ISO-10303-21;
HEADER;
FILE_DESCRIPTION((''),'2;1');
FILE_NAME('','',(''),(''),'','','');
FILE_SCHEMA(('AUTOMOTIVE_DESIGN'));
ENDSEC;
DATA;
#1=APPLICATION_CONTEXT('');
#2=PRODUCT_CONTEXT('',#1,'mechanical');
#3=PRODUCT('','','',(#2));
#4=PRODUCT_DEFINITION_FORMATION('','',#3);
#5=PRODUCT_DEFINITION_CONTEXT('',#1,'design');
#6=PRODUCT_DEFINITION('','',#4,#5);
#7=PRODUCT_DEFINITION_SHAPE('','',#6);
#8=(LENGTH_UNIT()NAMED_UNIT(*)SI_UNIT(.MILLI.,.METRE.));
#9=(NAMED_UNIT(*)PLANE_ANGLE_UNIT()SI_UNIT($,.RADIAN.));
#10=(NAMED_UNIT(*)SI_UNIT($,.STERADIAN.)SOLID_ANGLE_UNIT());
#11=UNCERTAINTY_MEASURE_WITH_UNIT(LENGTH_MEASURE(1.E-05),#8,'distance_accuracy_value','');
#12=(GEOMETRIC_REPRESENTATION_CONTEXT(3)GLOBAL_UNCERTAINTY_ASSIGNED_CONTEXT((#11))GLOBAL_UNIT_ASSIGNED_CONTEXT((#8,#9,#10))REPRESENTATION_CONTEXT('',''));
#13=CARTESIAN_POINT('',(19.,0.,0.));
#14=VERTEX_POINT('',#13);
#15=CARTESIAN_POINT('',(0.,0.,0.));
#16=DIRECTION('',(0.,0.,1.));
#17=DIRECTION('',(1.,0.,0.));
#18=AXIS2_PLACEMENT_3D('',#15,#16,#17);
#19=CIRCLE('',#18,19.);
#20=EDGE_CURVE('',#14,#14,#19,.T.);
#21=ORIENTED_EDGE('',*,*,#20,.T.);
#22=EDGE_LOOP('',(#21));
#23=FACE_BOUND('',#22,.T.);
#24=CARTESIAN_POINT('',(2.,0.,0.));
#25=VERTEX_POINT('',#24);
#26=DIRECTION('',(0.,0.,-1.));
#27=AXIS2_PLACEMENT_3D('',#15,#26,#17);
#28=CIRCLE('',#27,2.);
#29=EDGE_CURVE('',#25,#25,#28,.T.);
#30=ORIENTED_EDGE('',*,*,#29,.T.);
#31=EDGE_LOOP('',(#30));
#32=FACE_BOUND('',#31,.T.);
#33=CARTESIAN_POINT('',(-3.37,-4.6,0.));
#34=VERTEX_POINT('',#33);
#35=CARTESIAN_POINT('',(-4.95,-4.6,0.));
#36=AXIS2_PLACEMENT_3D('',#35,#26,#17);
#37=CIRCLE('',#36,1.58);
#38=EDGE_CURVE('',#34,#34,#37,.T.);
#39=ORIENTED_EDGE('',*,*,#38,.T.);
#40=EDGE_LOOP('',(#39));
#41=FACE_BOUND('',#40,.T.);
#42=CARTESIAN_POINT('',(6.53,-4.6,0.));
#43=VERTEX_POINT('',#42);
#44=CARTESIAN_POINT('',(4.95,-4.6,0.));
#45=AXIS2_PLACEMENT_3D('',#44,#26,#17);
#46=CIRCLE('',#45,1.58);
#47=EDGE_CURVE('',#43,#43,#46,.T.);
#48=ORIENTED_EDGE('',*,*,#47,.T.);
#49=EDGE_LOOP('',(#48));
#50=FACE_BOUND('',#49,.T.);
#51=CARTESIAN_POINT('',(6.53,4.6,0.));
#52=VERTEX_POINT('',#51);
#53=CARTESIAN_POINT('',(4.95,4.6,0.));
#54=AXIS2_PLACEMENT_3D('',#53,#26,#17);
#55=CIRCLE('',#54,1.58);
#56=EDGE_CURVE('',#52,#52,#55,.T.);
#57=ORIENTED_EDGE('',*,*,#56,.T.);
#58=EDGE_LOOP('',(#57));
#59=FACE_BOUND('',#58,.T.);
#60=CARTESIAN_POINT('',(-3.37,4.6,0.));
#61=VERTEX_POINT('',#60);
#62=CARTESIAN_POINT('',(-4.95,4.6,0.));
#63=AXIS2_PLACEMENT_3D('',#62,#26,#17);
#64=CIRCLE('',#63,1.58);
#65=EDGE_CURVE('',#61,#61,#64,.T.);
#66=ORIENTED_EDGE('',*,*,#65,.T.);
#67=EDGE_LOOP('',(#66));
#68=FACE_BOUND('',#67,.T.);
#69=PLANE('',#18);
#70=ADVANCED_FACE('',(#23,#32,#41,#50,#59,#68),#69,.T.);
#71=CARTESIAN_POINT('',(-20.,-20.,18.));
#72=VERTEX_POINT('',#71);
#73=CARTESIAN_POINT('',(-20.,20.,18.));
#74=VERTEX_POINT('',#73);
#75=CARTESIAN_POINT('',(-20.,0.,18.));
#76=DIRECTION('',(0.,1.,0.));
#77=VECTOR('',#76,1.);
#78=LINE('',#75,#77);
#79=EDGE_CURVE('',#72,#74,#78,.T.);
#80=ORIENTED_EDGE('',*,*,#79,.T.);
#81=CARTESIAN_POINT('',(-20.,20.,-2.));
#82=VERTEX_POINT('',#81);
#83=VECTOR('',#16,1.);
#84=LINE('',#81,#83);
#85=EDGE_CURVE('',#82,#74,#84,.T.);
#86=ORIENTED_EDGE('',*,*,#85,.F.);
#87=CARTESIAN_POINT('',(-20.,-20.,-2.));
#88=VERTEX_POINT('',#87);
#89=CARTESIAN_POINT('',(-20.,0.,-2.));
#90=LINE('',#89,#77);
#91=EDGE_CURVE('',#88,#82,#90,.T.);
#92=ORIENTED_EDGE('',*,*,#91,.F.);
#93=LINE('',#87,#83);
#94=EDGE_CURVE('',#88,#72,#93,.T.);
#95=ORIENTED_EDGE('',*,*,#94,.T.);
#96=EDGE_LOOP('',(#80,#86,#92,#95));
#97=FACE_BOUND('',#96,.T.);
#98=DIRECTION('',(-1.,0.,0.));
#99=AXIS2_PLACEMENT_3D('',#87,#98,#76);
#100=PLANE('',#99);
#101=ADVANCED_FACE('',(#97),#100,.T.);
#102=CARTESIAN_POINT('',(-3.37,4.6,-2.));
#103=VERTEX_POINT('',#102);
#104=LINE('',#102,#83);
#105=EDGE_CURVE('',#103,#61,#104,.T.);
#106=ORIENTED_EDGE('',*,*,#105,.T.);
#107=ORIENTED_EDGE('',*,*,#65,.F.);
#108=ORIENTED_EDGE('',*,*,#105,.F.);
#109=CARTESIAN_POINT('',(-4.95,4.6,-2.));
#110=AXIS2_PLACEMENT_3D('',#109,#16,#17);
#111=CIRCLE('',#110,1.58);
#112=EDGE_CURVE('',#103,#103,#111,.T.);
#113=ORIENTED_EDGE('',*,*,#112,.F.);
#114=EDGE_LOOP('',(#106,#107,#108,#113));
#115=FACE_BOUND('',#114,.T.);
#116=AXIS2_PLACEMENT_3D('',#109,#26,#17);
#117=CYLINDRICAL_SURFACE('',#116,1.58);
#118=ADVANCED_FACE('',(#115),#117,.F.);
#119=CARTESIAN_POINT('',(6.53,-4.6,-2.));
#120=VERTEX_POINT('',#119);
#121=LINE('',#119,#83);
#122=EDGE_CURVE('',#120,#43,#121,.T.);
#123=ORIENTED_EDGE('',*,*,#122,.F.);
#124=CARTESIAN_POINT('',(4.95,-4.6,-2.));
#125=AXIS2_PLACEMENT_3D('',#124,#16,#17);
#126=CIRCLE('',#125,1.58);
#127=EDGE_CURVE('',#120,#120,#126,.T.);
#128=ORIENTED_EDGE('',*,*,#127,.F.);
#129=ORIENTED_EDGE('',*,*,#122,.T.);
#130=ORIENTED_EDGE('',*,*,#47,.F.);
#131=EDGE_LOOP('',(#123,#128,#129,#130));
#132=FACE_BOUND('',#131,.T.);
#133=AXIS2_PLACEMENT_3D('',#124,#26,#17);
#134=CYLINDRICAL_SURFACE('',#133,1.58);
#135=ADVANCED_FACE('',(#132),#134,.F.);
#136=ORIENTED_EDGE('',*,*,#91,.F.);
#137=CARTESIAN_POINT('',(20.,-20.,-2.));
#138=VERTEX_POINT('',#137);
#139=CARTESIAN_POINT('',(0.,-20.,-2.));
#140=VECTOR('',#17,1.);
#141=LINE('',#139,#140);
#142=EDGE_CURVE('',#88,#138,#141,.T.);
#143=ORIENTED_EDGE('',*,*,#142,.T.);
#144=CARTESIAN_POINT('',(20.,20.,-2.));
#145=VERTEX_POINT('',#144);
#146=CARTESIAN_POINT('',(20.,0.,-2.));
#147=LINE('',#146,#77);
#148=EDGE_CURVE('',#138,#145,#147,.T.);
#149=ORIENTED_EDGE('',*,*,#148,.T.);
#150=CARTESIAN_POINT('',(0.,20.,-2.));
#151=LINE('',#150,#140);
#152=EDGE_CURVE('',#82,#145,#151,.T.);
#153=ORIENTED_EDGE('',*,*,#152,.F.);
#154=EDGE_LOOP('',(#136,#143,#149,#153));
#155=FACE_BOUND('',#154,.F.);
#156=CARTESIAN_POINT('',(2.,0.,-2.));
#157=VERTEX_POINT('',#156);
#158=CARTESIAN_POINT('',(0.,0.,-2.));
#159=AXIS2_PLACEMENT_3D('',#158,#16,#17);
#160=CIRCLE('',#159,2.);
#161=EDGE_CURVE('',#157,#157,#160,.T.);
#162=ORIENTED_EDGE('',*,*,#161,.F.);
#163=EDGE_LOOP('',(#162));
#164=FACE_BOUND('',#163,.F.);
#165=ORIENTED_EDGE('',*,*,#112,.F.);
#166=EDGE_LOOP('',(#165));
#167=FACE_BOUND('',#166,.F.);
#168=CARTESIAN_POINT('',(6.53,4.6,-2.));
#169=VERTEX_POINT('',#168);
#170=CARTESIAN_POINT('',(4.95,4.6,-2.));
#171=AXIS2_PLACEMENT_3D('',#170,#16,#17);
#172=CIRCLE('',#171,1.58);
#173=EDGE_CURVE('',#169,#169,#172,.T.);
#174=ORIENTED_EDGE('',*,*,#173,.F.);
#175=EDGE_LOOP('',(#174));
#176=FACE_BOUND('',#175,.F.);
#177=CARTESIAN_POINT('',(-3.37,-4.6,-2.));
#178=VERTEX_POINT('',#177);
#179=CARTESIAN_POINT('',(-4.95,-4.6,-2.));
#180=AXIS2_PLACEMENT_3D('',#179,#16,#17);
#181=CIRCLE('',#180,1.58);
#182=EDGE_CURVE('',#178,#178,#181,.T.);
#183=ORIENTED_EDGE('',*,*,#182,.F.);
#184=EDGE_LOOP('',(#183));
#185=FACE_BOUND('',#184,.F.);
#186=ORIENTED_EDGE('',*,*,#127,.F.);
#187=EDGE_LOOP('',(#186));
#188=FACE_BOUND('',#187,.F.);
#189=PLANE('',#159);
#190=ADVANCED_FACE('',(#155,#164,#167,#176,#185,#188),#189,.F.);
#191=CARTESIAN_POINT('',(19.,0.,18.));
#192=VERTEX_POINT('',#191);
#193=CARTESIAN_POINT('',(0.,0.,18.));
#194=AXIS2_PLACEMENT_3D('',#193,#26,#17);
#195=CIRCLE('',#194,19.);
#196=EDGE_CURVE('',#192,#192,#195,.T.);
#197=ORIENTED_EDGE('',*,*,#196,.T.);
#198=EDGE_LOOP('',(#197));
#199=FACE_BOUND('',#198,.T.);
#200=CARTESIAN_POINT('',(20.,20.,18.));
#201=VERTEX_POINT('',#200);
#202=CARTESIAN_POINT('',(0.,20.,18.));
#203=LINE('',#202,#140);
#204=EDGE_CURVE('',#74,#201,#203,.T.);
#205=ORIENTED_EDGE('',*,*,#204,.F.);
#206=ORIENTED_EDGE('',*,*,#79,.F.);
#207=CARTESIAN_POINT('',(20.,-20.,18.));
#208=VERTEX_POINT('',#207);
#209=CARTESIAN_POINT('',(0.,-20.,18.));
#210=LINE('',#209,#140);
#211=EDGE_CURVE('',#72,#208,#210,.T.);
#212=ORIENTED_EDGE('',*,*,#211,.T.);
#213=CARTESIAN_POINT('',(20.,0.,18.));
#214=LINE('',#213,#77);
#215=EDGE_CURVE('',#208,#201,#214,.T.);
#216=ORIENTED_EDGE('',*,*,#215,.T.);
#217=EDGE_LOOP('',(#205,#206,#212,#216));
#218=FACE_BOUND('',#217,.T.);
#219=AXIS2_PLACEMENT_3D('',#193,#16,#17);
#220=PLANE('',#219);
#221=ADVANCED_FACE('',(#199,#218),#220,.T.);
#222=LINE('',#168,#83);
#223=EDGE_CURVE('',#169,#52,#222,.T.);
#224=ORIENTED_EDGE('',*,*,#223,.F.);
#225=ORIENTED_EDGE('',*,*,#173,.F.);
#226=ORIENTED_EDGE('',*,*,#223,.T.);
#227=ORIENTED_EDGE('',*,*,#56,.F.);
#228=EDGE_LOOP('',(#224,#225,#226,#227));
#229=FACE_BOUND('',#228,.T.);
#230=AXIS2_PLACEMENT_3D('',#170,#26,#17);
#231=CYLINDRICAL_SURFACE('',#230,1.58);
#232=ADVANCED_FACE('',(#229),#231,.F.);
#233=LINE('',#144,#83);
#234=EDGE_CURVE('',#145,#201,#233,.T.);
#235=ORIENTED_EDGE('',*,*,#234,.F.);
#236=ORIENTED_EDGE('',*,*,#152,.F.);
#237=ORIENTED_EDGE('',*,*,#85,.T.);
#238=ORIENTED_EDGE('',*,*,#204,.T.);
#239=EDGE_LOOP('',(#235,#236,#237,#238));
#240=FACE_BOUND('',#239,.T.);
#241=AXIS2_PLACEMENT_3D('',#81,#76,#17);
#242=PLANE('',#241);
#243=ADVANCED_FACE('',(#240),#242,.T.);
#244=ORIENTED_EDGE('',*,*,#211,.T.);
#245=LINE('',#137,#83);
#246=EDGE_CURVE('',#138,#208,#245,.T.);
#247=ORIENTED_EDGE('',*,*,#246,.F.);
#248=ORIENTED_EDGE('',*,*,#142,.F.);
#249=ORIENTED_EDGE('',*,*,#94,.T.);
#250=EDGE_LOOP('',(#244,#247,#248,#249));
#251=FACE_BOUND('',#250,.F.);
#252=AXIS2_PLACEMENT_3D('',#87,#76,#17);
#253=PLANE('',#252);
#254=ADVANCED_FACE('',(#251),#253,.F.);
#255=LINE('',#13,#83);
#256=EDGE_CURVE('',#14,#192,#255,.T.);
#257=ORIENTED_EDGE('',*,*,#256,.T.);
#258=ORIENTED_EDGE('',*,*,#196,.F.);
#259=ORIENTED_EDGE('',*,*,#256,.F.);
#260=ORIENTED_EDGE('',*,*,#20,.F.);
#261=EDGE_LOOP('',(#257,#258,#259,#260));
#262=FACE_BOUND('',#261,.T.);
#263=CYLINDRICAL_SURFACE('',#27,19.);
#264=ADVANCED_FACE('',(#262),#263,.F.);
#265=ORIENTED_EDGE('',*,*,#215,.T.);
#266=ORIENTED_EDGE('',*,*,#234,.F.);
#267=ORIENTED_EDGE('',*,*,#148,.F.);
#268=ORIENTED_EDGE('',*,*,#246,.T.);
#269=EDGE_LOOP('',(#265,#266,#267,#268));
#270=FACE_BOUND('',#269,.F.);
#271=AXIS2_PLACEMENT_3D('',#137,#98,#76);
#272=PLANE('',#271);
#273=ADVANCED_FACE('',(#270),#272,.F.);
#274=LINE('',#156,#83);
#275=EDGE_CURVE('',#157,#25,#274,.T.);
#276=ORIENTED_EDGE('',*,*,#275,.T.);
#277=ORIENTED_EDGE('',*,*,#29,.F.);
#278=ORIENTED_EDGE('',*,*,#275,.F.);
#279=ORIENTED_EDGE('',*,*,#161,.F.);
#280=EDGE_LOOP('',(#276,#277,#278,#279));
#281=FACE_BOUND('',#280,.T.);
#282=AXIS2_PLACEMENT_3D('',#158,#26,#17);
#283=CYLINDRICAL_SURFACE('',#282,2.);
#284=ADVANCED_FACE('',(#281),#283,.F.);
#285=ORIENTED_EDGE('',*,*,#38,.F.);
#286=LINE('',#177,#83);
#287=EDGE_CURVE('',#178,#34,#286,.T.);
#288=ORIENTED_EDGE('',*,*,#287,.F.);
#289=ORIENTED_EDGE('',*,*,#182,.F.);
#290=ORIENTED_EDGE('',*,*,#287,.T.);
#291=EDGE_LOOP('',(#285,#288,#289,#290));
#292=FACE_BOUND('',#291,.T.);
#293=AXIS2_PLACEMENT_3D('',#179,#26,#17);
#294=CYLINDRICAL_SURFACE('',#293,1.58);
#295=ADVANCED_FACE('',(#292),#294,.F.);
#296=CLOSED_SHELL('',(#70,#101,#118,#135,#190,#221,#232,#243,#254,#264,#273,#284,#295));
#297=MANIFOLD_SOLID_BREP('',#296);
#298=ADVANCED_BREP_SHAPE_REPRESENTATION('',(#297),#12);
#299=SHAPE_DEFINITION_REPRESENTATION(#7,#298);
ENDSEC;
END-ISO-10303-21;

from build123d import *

# Parameters (mm, degrees)
CYLINDER005_R     = 1.58
CYLINDER005_DEPTH = 20
CYLINDER001_R     = 2
CYLINDER001_DEPTH = 20
CYLINDER002_R     = 1.58
CYLINDER002_DEPTH = 20
CYLINDER003_R     = 1.58
CYLINDER003_DEPTH = 20
CYLINDER004_R     = 1.58
CYLINDER004_DEPTH = 20
CYLINDER_R        = 19
CYLINDER_DEPTH    = 19
BOX_W             = 40
BOX_H             = 40
BOX_DEPTH         = 20


with BuildPart() as cylinder005:
    # Cylinder005 → Cylinder005 (new body)
    with BuildSketch(Plane(origin=(4.95, 4.6, -2), x_dir=(1, 0, 0), z_dir=(0, 0, 1))):
        Circle(CYLINDER005_R)
    extrude(amount=CYLINDER005_DEPTH)


with BuildPart() as cylinder001:
    # Cylinder001 → Cylinder001 (new body)
    with BuildSketch(Plane.XY.offset(-2)):
        Circle(CYLINDER001_R)
    extrude(amount=CYLINDER001_DEPTH)


with BuildPart() as cylinder002:
    # Cylinder002 → Cylinder002 (new body)
    with BuildSketch(Plane(origin=(-4.95, 4.6, -2), x_dir=(1, 0, 0), z_dir=(0, 0, 1))):
        Circle(CYLINDER002_R)
    extrude(amount=CYLINDER002_DEPTH)


with BuildPart() as cylinder003:
    # Cylinder003 → Cylinder003 (new body)
    with BuildSketch(Plane(origin=(4.95, -4.6, -2), x_dir=(1, 0, 0), z_dir=(0, 0, 1))):
        Circle(CYLINDER003_R)
    extrude(amount=CYLINDER003_DEPTH)


with BuildPart() as cylinder004:
    # Cylinder004 → Cylinder004 (new body)
    with BuildSketch(Plane(origin=(-4.95, -4.6, -2), x_dir=(1, 0, 0), z_dir=(0, 0, 1))):
        Circle(CYLINDER004_R)
    extrude(amount=CYLINDER004_DEPTH)


with BuildPart() as cylinder:
    # Cylinder → Cylinder (new body)
    with BuildSketch(Plane.XY):
        Circle(CYLINDER_R)
    extrude(amount=CYLINDER_DEPTH)


with BuildPart() as cut005:
    # Box → Box (new body)
    with BuildSketch(Plane(origin=(-20, -20, -2), x_dir=(1, 0, 0), z_dir=(0, 0, 1))):
        with Locations((20, 20)):
            Rectangle(BOX_W, BOX_H)
    extrude(amount=BOX_DEPTH)

    # Cut: cut Cylinder
    add(cylinder.part, mode=Mode.SUBTRACT)

    # Cut001: cut Cylinder004
    add(cylinder004.part, mode=Mode.SUBTRACT)

    # Cut002: cut Cylinder003
    add(cylinder003.part, mode=Mode.SUBTRACT)

    # Cut003: cut Cylinder002
    add(cylinder002.part, mode=Mode.SUBTRACT)

    # Cut004: cut Cylinder001
    add(cylinder001.part, mode=Mode.SUBTRACT)

    # Cut005: cut Cylinder005
    add(cylinder005.part, mode=Mode.SUBTRACT)


solid = cut005.part
